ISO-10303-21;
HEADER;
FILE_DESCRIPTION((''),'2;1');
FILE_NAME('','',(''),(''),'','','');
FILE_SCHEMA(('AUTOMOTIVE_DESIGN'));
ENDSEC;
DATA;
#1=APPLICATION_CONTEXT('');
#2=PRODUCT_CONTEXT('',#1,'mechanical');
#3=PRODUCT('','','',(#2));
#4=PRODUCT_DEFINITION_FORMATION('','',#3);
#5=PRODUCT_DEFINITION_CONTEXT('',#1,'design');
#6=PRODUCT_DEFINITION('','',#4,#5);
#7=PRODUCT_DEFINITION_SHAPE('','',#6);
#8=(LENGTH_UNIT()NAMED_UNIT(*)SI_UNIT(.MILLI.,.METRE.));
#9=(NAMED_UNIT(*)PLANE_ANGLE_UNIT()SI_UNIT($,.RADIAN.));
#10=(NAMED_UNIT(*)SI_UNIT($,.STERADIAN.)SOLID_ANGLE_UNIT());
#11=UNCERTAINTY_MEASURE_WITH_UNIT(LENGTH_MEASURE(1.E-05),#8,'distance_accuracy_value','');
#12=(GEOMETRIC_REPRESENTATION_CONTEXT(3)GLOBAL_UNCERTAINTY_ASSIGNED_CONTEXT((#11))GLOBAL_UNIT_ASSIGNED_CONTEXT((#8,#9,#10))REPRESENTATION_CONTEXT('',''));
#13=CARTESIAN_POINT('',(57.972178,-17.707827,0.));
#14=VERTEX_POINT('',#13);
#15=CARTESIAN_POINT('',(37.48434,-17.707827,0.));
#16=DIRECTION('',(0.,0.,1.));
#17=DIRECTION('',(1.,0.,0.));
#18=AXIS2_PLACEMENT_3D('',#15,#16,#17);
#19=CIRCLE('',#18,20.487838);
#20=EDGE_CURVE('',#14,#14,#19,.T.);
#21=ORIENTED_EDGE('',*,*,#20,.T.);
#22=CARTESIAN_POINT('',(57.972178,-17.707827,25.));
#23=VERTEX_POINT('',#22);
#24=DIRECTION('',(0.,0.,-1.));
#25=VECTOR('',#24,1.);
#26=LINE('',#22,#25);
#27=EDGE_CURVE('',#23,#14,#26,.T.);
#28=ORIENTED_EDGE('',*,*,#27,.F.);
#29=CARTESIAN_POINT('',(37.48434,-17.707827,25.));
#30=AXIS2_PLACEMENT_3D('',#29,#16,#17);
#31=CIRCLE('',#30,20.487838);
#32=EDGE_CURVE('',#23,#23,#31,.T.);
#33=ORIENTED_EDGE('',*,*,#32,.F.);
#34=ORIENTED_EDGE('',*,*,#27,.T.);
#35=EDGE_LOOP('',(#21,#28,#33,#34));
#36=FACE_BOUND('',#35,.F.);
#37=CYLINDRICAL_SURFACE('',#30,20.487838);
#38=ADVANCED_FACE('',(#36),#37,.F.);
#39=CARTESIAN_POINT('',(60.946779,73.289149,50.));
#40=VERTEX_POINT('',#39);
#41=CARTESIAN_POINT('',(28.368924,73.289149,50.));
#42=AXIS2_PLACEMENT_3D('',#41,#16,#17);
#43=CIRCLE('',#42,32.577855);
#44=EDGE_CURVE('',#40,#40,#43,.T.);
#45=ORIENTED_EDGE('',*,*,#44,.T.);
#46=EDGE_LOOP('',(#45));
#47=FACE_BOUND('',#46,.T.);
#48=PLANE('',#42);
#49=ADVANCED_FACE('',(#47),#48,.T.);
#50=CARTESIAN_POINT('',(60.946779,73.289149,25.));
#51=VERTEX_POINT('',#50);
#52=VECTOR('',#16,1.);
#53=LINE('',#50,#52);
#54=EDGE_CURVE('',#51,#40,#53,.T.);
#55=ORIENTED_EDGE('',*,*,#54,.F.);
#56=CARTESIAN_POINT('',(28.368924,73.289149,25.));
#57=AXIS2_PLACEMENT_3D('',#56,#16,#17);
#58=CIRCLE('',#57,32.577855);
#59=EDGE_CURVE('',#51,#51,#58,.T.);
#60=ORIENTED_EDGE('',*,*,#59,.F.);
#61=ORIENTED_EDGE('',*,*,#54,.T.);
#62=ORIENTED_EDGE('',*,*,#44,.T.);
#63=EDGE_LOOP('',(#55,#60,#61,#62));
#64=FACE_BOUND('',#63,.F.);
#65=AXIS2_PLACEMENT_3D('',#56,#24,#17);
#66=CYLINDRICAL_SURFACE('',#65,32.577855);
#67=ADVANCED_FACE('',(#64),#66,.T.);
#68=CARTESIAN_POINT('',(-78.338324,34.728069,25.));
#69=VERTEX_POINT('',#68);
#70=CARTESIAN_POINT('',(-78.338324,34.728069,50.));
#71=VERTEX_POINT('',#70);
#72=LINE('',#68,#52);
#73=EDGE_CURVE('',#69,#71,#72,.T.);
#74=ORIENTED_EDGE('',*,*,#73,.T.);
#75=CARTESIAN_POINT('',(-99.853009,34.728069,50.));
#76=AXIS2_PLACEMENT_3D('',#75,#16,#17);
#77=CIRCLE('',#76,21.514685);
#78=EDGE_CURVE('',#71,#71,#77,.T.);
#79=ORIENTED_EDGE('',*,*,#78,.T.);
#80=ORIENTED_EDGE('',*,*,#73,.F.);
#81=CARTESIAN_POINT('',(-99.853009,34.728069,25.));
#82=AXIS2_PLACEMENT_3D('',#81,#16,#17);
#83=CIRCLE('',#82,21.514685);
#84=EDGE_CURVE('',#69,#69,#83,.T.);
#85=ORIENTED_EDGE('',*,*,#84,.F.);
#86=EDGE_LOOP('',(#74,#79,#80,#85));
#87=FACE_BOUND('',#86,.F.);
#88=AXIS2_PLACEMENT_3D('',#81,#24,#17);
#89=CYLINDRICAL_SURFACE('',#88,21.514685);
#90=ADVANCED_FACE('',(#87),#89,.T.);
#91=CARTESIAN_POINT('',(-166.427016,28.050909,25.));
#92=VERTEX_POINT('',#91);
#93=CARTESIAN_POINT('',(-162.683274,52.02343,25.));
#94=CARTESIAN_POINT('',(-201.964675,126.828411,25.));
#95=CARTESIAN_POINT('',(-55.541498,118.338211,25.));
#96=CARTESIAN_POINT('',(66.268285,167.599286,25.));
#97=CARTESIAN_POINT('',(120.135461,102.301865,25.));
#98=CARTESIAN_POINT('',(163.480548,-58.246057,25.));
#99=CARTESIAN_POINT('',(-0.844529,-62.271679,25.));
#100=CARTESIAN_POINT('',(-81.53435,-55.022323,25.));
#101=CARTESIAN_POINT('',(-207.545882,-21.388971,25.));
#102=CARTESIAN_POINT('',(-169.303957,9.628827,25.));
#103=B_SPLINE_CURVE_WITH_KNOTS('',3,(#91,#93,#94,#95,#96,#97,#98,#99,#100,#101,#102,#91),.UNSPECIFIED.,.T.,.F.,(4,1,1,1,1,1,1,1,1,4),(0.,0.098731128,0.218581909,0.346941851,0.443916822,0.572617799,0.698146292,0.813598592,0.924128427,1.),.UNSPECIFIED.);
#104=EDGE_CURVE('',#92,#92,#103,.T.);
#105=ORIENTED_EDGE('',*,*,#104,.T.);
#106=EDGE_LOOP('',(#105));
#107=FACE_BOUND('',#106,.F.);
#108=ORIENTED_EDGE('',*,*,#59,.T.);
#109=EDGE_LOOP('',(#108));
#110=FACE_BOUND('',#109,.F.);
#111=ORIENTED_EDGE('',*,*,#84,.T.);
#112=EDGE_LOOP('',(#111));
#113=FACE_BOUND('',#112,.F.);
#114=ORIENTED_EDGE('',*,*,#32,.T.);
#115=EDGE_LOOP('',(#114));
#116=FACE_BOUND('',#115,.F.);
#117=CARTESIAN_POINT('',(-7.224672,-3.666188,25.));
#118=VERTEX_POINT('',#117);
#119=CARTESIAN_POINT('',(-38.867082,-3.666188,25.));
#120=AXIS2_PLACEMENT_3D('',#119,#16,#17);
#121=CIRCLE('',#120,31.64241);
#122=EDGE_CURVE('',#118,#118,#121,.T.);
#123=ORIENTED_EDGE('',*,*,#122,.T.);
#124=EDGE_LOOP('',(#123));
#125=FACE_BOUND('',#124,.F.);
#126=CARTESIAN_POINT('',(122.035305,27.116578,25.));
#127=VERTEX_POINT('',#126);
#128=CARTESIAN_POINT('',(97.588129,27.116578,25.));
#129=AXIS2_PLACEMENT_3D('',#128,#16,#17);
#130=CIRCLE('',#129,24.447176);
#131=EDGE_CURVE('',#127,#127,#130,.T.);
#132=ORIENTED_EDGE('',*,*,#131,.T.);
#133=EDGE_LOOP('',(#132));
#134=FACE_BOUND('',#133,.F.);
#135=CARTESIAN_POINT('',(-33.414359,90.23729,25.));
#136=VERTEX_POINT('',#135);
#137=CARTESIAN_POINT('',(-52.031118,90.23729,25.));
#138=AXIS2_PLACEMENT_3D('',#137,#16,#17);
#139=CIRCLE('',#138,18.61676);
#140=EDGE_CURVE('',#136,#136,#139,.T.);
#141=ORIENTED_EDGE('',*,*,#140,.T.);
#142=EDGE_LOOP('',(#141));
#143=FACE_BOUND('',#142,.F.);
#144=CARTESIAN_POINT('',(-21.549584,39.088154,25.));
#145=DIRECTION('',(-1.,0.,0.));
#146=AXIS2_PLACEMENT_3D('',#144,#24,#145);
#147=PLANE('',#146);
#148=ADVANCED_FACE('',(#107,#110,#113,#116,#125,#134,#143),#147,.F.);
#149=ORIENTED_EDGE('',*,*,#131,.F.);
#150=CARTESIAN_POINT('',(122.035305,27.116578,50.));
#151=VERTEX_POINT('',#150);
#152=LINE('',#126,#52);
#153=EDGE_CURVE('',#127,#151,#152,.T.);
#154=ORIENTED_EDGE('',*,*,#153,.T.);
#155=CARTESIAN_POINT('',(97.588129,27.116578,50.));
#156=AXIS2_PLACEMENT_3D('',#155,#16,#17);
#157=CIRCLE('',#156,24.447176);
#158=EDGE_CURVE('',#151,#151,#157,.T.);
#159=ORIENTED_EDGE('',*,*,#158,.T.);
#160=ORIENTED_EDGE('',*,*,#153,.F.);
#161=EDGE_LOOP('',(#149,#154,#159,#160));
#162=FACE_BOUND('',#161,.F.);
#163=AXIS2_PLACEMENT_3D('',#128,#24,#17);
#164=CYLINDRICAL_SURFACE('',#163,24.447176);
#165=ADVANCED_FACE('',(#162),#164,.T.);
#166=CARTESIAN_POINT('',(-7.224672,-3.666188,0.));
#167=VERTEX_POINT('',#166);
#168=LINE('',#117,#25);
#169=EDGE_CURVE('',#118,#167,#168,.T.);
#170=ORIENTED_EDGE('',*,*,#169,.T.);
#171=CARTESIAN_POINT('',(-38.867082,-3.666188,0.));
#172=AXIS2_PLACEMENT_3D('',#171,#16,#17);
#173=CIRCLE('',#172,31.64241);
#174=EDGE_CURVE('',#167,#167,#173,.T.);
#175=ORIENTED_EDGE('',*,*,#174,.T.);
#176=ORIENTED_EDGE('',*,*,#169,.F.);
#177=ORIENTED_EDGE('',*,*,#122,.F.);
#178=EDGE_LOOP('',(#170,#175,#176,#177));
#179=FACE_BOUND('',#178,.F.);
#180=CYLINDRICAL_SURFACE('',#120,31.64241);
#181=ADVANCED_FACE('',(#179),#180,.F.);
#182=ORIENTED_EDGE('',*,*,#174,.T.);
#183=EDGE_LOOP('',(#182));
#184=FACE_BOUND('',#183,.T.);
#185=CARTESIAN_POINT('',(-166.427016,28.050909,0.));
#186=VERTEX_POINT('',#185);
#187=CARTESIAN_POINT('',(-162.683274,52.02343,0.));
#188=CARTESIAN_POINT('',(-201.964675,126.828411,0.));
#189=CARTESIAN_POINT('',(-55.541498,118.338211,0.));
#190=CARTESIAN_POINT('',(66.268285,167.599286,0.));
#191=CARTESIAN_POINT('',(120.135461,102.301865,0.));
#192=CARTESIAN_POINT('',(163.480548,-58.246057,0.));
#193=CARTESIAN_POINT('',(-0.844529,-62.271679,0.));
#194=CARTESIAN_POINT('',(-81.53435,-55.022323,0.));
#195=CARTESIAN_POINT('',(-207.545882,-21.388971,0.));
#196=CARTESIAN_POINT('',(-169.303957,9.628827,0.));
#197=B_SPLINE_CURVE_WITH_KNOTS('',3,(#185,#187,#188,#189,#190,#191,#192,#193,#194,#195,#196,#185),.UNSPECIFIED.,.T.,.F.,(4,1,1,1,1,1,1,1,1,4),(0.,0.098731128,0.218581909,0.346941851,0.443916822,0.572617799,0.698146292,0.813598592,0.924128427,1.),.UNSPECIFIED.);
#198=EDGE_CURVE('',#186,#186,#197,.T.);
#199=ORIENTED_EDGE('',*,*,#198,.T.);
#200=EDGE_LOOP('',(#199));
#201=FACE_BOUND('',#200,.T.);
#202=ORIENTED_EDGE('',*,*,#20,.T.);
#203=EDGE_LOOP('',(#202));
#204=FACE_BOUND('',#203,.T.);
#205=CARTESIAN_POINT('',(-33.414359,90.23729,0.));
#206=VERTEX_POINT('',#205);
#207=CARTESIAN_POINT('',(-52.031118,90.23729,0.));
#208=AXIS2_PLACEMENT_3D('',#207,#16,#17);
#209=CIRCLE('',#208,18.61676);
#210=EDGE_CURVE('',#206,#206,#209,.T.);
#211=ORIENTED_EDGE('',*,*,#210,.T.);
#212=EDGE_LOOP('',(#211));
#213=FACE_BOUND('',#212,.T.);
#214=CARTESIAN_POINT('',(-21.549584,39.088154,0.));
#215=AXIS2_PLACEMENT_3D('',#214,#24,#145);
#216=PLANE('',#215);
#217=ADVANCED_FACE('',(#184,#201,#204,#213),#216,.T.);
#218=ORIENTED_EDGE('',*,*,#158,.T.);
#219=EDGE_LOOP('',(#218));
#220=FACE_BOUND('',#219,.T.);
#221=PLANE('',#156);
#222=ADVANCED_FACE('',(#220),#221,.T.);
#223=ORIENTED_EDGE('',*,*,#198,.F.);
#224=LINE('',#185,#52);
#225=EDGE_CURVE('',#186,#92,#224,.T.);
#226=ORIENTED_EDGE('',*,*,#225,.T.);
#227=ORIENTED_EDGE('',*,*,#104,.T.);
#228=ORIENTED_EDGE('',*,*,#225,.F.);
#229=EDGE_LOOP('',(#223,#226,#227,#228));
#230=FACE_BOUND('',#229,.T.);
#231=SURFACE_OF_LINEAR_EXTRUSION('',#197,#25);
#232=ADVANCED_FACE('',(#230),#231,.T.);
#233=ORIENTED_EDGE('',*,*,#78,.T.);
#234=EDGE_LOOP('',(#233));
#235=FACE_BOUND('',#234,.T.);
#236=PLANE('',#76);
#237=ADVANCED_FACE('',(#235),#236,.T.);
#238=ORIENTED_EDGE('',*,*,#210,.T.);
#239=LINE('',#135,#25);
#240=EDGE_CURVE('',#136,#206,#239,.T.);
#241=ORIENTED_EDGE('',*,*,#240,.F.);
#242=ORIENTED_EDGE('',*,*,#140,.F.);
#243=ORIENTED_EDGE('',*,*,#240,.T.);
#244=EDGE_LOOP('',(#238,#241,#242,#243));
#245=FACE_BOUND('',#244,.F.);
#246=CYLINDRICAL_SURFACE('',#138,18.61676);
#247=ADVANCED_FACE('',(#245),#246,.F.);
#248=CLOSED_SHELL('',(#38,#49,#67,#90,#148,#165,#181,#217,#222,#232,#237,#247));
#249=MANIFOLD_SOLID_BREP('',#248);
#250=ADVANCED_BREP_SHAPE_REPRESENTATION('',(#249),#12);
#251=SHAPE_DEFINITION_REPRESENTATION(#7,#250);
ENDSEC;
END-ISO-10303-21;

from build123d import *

# Parameters (mm, degrees)
F1_DEPTH = 25
F2_R     = 21.5146851909
F2_R_2   = 32.5778554378
F2_R_3   = 24.4471757635
F3_DEPTH = 25
F4_R     = 18.6167597932
F4_R_2   = 31.6424104227
F4_R_3   = 20.4878376905
F5_DEPTH = 25


with BuildPart() as f1:
    # F0 (on Top) → F1 (new body)
    with BuildSketch(Plane.XY):
        with BuildLine():
            add(Edge.make_bspline(
                [(-166.4270162582, 28.0509088188), (-162.6832744297, 52.0234295311), (-201.9646748818, 126.8284105922), (-55.5414983799, 118.3382113732), (66.2682850419, 167.5992862057), (120.1354614168, 102.3018650345), (163.4805482306, -58.2460568809), (-0.8445289314, -62.2716794262), (-81.534349957, -55.0223225704), (-207.5458817764, -21.3889709696), (-169.3039567905, 9.6288274745), (-166.4270162582, 28.0509088188)],
                knots=[0, 0, 0, 0, 0.0987311276, 0.2185819092, 0.3469418507, 0.4439168215, 0.5726177987, 0.698146292, 0.813598592, 0.9241284266, 1, 1, 1, 1], degree=3))
        make_face()
    extrude(amount=F1_DEPTH)

    # F2 (on face) → F3 (join)
    with BuildSketch(Plane.XY.offset(25)):
        with Locations((-99.8530089855, 34.7280688584)):
            Circle(F2_R)
        with Locations((28.3689238131, 73.2891485095)):
            Circle(F2_R_2)
        with Locations((97.5881293416, 27.1165780723)):
            Circle(F2_R_3)
    extrude(amount=F3_DEPTH)

    # F4 (on face) → F5 (cut)
    with BuildSketch(Plane.XY.offset(25)):
        with Locations((-52.0311184227, 90.2372896671)):
            Circle(F4_R)
        with Locations((-38.8670824468, -3.6661878694)):
            Circle(F4_R_2)
        with Locations((37.4843403697, -17.7078265697)):
            Circle(F4_R_3)
    extrude(amount=-F5_DEPTH, mode=Mode.SUBTRACT)


solid = f1.part
